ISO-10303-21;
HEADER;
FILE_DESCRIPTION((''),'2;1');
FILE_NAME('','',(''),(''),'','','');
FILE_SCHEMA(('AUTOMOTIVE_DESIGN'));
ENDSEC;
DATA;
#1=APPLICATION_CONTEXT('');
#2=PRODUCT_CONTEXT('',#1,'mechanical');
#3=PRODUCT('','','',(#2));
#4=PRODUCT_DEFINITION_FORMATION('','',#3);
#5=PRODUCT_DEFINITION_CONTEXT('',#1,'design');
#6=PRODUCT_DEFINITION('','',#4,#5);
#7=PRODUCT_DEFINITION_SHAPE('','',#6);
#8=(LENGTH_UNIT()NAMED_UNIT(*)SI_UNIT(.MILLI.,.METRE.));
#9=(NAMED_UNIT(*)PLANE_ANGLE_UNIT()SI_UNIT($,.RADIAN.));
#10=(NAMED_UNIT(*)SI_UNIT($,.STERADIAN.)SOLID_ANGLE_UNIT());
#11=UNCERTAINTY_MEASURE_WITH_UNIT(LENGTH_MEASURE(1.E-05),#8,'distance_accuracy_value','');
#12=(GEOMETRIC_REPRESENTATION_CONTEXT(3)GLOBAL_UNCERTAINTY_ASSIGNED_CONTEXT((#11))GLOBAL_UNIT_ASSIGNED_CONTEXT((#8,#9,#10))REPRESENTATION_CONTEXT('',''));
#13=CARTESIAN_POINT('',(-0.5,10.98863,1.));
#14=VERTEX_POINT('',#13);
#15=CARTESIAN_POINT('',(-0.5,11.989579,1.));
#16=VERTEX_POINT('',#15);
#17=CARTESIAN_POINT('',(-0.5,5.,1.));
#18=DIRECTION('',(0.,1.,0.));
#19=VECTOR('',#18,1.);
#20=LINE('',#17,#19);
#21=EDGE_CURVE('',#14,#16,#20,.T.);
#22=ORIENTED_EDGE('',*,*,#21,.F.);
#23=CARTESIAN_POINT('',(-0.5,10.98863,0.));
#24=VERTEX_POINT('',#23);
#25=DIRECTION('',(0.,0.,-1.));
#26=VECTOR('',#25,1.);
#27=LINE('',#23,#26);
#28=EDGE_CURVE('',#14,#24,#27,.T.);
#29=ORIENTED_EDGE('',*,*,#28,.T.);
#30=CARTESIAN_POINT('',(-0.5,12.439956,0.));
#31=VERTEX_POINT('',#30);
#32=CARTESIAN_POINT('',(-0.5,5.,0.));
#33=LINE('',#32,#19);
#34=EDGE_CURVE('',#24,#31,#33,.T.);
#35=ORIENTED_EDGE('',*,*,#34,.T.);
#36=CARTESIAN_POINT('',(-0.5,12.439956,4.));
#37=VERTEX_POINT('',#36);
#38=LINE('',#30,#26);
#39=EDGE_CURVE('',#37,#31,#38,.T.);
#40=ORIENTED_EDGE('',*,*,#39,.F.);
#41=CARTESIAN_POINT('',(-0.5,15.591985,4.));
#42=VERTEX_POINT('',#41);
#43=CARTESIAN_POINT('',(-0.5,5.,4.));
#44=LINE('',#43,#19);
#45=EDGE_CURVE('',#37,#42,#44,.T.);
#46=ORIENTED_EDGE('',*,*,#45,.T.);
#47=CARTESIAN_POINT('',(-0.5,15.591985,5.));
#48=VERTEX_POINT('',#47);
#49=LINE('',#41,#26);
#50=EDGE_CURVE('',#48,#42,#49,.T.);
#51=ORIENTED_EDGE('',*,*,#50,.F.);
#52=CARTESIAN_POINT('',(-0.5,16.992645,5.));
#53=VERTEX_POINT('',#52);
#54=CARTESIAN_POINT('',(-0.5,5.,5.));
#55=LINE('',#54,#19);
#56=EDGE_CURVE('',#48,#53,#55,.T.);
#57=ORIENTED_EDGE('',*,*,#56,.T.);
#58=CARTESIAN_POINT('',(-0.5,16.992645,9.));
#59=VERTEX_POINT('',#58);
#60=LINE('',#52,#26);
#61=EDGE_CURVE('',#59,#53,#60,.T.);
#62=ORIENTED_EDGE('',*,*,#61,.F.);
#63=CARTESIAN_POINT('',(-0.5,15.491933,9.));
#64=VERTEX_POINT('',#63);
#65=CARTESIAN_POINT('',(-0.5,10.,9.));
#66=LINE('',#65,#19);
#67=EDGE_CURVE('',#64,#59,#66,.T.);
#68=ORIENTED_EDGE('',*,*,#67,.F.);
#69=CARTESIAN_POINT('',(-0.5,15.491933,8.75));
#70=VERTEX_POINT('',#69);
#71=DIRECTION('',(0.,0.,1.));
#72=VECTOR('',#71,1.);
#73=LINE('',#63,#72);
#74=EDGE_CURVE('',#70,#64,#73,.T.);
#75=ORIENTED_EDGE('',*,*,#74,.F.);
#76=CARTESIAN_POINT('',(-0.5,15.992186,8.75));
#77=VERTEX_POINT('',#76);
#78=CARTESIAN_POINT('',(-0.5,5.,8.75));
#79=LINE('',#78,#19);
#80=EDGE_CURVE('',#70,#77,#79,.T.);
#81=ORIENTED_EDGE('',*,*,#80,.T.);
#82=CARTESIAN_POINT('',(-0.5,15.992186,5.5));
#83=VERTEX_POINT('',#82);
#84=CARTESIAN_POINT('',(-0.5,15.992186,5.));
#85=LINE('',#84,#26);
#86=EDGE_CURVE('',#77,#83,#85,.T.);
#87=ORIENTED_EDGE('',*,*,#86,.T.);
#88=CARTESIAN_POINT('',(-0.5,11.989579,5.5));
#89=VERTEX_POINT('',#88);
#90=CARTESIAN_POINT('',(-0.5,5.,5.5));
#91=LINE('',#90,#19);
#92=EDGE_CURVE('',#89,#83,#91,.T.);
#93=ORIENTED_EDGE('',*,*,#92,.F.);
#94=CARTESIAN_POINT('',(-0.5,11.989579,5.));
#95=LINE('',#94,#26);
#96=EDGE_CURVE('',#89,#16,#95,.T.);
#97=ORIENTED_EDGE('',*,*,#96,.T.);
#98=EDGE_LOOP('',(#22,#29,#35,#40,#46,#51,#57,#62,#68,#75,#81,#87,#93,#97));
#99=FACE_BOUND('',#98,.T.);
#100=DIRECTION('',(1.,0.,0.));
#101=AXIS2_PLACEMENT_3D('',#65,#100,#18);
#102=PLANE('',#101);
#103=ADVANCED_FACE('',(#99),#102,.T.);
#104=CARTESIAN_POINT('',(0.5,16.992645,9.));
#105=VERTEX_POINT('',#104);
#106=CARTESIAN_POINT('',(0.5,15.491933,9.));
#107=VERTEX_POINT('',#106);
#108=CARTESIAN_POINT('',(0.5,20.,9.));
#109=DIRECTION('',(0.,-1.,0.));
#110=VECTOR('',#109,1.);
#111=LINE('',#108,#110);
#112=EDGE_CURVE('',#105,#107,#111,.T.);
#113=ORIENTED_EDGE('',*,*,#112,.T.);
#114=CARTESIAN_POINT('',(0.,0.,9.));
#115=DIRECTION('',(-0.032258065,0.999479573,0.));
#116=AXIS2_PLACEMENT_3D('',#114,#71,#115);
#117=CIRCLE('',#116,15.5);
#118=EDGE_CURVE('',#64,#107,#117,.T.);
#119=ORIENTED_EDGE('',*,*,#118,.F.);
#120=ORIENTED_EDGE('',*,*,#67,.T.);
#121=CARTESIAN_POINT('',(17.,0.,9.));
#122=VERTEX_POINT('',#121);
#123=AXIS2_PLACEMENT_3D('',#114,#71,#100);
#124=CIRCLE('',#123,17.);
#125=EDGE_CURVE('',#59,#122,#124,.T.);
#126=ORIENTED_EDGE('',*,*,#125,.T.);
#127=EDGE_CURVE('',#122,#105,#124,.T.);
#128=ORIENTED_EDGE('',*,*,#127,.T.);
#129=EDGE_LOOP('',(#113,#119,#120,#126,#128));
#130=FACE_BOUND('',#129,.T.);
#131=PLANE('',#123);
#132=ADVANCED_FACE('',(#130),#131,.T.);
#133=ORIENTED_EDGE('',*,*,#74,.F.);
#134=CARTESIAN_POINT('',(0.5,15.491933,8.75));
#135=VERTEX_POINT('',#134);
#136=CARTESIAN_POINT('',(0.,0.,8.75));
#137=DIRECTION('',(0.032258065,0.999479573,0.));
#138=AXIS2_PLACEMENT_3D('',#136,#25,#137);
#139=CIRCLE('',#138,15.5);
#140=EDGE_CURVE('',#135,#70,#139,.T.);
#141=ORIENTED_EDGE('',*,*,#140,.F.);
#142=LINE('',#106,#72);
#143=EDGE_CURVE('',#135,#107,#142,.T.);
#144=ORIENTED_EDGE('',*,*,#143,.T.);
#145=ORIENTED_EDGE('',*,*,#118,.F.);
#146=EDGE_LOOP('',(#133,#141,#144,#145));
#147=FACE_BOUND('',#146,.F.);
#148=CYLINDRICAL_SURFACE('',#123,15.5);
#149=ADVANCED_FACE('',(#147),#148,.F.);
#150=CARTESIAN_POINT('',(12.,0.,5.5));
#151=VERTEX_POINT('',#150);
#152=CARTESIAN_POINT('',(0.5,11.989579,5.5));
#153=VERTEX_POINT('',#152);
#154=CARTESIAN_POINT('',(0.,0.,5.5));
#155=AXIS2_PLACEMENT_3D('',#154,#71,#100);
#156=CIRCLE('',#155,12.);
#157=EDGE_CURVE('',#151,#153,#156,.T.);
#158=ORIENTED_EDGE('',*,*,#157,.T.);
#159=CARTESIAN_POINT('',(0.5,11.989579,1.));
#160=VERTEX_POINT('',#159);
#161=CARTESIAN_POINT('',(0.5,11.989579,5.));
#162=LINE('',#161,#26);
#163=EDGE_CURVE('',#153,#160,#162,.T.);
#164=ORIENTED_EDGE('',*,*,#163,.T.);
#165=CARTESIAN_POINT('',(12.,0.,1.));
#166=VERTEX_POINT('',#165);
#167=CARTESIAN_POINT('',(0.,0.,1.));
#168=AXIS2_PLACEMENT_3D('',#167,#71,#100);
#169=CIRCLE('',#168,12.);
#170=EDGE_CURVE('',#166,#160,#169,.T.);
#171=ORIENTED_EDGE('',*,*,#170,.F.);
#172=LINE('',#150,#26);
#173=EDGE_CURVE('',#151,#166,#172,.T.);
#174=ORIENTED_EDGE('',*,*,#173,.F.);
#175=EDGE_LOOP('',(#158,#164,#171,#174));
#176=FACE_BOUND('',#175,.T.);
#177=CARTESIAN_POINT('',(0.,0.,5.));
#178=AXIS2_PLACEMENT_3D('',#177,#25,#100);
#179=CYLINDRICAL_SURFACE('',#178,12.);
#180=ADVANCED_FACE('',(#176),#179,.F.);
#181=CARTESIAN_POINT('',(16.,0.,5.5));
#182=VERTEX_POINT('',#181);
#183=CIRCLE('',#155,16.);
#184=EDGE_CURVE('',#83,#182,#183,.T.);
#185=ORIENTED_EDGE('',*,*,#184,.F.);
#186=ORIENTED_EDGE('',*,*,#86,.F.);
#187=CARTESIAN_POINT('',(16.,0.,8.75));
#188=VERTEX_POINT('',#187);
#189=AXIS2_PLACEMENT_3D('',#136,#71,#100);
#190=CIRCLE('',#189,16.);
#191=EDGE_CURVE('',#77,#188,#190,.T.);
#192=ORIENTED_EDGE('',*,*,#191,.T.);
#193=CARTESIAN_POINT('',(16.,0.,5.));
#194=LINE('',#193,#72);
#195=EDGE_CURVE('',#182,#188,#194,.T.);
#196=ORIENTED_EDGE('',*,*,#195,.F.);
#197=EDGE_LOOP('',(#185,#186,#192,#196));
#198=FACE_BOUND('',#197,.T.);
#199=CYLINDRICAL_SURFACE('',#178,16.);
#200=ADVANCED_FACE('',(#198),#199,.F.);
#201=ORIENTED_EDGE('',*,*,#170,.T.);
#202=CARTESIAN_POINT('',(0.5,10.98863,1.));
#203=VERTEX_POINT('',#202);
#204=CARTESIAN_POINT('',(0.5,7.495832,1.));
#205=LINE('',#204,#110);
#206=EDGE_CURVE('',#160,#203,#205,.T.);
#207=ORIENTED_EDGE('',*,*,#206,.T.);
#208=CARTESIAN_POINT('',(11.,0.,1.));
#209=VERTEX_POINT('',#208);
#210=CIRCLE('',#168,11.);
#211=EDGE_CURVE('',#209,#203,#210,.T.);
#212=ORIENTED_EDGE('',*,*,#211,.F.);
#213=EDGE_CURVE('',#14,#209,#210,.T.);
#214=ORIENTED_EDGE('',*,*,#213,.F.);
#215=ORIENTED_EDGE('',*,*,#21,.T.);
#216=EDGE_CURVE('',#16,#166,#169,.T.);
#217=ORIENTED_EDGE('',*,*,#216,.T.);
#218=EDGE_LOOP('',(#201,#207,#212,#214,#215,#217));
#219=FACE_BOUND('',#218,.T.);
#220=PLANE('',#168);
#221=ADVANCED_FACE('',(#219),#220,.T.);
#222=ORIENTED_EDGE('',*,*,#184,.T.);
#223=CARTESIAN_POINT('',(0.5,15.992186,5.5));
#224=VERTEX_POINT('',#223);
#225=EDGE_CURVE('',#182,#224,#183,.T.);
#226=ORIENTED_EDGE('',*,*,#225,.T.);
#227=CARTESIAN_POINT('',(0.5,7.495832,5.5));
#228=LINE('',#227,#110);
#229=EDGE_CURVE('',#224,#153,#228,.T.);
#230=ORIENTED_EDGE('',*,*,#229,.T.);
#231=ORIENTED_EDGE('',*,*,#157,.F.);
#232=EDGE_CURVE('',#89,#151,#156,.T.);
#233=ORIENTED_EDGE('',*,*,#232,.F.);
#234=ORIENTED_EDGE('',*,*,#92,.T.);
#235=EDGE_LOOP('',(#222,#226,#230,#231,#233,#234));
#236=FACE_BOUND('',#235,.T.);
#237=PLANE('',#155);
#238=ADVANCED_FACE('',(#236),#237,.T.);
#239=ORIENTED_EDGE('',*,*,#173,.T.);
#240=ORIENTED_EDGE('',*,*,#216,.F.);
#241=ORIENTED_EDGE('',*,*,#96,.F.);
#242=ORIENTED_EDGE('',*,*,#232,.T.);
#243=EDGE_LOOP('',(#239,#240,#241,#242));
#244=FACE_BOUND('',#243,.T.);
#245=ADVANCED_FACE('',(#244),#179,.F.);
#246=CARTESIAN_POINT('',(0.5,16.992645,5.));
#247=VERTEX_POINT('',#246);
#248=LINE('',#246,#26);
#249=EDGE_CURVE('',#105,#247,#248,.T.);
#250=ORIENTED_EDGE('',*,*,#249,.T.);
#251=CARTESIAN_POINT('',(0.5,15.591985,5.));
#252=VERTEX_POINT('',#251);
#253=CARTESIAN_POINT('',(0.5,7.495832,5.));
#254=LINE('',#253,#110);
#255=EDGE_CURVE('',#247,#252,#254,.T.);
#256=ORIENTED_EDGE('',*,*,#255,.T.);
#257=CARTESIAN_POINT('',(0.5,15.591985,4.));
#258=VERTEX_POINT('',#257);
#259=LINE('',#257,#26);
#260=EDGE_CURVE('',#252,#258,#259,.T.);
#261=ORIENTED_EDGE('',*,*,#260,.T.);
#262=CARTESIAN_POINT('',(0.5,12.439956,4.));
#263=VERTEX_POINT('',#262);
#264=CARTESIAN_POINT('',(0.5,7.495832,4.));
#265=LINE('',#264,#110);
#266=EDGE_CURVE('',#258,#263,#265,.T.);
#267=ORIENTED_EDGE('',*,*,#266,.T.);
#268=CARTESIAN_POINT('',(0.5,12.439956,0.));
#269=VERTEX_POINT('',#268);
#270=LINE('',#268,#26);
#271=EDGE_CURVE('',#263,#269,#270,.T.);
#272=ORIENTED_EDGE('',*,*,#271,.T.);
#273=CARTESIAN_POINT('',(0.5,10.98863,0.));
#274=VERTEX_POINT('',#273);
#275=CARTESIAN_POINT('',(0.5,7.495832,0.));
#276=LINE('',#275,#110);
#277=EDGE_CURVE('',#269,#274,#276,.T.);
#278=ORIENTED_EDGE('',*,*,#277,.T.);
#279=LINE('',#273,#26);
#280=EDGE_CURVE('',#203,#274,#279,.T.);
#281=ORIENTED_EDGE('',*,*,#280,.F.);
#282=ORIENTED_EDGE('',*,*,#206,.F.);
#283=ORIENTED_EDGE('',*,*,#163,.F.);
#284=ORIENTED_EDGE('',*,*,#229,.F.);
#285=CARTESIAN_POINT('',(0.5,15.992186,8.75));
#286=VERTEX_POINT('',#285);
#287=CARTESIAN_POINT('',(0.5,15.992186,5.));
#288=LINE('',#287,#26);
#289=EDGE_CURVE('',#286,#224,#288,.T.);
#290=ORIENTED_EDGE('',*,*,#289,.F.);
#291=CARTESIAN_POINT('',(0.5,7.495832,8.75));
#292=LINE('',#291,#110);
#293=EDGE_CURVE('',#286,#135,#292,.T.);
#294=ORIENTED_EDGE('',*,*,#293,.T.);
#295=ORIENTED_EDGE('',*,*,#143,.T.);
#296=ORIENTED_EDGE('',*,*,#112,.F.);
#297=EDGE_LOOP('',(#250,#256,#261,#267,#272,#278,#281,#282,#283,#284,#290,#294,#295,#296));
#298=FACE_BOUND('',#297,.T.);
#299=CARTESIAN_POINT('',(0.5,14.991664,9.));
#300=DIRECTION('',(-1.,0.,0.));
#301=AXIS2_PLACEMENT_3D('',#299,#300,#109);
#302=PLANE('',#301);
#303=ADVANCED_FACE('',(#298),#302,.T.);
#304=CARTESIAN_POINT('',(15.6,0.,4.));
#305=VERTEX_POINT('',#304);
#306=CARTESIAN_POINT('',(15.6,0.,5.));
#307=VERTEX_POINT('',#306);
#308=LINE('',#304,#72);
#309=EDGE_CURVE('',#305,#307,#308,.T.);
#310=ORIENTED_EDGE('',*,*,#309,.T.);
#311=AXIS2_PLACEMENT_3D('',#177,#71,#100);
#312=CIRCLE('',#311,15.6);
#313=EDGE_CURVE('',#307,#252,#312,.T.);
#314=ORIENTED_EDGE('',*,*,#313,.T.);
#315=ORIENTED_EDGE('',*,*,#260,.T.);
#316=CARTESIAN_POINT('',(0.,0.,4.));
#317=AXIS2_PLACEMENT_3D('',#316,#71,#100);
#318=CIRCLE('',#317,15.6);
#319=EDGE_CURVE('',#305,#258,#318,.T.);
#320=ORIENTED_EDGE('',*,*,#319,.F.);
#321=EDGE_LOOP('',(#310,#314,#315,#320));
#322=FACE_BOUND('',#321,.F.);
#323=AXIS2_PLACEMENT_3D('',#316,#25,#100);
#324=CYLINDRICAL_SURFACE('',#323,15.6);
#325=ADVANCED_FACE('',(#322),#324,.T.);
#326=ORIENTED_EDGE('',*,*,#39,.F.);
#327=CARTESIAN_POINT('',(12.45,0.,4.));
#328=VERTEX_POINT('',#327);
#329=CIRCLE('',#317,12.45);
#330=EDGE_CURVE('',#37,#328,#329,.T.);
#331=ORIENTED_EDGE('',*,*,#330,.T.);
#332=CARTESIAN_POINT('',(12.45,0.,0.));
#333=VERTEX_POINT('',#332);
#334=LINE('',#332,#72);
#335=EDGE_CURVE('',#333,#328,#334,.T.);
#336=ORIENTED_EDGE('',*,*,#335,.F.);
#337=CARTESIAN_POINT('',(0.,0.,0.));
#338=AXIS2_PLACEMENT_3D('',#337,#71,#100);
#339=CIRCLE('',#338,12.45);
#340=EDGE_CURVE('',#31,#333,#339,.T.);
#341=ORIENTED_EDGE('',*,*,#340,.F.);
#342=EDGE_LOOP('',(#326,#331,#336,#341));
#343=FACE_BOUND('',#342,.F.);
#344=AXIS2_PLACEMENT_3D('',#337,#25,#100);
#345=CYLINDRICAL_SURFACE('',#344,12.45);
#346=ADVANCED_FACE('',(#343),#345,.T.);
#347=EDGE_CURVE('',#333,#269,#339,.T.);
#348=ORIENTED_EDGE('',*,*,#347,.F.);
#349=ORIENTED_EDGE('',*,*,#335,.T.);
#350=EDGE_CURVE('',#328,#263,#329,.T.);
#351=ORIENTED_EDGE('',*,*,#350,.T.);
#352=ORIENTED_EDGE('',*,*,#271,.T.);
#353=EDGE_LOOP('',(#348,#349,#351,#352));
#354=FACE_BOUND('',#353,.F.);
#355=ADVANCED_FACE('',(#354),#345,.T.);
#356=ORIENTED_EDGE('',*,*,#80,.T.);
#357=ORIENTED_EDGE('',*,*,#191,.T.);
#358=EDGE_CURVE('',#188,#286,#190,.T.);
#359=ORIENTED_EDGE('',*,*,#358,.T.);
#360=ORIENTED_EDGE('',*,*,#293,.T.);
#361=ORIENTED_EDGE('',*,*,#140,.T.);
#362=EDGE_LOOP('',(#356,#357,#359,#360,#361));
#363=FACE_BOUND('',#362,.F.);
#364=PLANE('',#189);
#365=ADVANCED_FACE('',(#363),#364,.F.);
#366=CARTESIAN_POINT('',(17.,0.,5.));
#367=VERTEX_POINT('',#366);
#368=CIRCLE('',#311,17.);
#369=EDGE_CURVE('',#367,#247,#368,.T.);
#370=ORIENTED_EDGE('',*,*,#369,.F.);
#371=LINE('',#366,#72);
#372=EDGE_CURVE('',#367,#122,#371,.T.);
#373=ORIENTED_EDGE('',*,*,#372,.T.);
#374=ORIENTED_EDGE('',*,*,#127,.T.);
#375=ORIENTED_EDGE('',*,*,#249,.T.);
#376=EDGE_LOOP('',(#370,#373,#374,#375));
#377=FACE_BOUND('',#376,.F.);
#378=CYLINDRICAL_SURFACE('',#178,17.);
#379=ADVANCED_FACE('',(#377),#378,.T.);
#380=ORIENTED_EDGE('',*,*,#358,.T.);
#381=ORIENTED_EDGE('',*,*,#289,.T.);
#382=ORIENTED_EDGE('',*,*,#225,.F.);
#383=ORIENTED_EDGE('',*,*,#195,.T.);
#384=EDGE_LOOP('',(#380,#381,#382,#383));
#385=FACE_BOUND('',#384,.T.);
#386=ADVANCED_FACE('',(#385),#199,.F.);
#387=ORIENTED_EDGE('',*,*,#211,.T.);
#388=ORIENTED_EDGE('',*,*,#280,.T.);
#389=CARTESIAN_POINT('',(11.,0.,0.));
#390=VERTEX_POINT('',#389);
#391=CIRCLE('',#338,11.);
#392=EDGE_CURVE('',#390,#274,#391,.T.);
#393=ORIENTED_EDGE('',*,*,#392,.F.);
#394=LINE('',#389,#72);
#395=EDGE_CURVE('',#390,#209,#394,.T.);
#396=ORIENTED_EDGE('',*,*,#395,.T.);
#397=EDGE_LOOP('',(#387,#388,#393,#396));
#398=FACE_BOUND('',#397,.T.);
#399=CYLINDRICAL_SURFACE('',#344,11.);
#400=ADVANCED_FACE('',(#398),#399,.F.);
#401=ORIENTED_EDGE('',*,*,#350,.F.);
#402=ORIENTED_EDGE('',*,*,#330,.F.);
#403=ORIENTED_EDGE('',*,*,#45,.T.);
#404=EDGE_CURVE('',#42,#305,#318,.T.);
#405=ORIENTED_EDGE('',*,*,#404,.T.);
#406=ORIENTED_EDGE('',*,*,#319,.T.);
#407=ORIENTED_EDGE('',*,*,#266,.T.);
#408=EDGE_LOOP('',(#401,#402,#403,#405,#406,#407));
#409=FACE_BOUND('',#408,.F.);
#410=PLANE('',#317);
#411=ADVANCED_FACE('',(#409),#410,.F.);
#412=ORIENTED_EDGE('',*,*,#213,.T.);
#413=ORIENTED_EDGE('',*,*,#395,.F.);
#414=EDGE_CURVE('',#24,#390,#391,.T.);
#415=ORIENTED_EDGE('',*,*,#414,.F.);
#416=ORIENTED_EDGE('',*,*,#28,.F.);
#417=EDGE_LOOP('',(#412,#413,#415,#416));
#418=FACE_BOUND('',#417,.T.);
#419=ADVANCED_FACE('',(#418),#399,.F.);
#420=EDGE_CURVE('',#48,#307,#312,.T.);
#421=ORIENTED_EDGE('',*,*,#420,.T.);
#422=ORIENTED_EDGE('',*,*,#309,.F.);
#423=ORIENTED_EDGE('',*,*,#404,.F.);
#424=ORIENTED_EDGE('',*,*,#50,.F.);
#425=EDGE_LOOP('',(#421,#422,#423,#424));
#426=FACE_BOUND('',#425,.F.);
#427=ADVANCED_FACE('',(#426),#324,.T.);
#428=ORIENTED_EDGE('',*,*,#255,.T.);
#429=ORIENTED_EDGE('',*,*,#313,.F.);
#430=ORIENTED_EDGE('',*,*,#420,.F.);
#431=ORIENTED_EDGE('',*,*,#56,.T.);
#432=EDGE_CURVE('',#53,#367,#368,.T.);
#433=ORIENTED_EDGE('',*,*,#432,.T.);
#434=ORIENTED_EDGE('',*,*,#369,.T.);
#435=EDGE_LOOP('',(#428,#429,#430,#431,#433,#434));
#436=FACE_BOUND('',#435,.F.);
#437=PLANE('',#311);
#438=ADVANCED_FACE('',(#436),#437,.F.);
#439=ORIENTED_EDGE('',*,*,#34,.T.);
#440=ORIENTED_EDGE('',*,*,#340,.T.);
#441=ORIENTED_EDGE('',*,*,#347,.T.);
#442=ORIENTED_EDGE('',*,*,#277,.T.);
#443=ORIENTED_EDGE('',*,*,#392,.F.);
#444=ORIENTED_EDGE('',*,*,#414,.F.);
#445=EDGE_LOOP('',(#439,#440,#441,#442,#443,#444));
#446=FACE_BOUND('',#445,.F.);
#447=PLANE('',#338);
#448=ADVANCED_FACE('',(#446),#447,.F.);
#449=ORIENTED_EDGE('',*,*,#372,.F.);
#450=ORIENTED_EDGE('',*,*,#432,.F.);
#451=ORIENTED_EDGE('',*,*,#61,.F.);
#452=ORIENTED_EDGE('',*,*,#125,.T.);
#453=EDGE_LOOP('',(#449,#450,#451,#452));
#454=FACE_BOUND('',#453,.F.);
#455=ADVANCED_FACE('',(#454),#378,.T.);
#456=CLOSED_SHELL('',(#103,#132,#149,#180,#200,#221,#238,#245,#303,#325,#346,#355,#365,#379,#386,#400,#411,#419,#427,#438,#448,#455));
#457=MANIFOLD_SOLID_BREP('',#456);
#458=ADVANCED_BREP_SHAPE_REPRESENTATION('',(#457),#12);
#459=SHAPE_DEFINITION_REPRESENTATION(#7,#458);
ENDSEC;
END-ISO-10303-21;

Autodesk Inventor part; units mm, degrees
ref_plane "YZ Plane" through (0, 0, 0) normal (1, 0, 0) x (0, 1, 0)
ref_plane "XZ Plane" through (0, 0, 0) normal (0, 1, 0) x (-1, 0, 0)
ref_plane "XY Plane" through (0, 0, 0) normal (0, 0, 1) x (1, 0, 0)
sketch "Sketch1" plane through (0, 0, 0) normal (0, 0, 1) x (1, 0, 0)
  circle A0 centre (0, 0) radius 12.45
  circle A1 centre (0, 0) radius 11
  circle A2 centre (0, 0) radius 15.6
  circle A3 centre (0, 0) radius 12
  dimension "d0" = 24.9
  dimension "d1" = 22
  dimension "d2" = 31.2
  dimension "d3" = 24
extrude "Extrusion1" add sketch "Sketch1" along normal blind 1 contours A3
extrude "Extrusion2" add sketch "Sketch1" along normal blind 4 contours A0
sketch "Sketch2" plane through (0, 0, 4) normal (0, 0, 1) x (1, 0, 0)
  circle A0 centre (0, 0) radius 15.6 projected
  circle A1 centre (0, 0) radius 12 projected
extrude "Extrusion3" add sketch "Sketch2" along normal blind 1
sketch "Sketch4" plane through (0, 0, 5) normal (0, 0, 1) x (1, 0, 0)
  circle A0 centre (0, 0) radius 16
  circle A1 centre (0, 0) radius 17
  circle A2 centre (0, 0) radius 12 projected
  dimension "d14" = 32
  dimension "d15" = 34
extrude "Extrusion5" add sketch "Sketch4" along normal blind 0.5 contours A0
extrude "Extrusion6" add sketch "Sketch4" along normal blind 4 contours A1
sketch "Sketch5" plane through (0, 0, 9) normal (0, 0, 1) x (1, 0, 0)
  circle A0 centre (0, 0) radius 16 projected
  circle A1 centre (0, 0) radius 15.5
  dimension "d20" = 31
extrude "Extrusion7" add sketch "Sketch5" against normal blind 0.25
sketch "Sketch8" plane through (0, 0, 9) normal (0, 0, 1) x (1, 0, 0)
  line L0 (0.5, 10) -> (-0.5, 10)
  line L1 (-0.5, 10) -> (-0.5, 20)
  line L2 (-0.5, 20) -> (0.5, 20)
  line L3 (0.5, 20) -> (0.5, 10)
  circle A0 centre (0, 0) radius 15 projected
  line L4 (0.5, 10) -> (-0.5, 20) construction
  line L5 (-0.5, 10) -> (0.5, 20) construction
  point P0 (0, 15)
  dimension "d30" = 1
  dimension "d31" = 10
extrude "Extrusion10" cut sketch "Sketch8" against normal blind 10 contours L0 L1 A0 L3 | A0 L1 L2 L3 picked at (-0.0556, 11.6664)
properties part number "32mmFilterto25mmBoreAdapter"
